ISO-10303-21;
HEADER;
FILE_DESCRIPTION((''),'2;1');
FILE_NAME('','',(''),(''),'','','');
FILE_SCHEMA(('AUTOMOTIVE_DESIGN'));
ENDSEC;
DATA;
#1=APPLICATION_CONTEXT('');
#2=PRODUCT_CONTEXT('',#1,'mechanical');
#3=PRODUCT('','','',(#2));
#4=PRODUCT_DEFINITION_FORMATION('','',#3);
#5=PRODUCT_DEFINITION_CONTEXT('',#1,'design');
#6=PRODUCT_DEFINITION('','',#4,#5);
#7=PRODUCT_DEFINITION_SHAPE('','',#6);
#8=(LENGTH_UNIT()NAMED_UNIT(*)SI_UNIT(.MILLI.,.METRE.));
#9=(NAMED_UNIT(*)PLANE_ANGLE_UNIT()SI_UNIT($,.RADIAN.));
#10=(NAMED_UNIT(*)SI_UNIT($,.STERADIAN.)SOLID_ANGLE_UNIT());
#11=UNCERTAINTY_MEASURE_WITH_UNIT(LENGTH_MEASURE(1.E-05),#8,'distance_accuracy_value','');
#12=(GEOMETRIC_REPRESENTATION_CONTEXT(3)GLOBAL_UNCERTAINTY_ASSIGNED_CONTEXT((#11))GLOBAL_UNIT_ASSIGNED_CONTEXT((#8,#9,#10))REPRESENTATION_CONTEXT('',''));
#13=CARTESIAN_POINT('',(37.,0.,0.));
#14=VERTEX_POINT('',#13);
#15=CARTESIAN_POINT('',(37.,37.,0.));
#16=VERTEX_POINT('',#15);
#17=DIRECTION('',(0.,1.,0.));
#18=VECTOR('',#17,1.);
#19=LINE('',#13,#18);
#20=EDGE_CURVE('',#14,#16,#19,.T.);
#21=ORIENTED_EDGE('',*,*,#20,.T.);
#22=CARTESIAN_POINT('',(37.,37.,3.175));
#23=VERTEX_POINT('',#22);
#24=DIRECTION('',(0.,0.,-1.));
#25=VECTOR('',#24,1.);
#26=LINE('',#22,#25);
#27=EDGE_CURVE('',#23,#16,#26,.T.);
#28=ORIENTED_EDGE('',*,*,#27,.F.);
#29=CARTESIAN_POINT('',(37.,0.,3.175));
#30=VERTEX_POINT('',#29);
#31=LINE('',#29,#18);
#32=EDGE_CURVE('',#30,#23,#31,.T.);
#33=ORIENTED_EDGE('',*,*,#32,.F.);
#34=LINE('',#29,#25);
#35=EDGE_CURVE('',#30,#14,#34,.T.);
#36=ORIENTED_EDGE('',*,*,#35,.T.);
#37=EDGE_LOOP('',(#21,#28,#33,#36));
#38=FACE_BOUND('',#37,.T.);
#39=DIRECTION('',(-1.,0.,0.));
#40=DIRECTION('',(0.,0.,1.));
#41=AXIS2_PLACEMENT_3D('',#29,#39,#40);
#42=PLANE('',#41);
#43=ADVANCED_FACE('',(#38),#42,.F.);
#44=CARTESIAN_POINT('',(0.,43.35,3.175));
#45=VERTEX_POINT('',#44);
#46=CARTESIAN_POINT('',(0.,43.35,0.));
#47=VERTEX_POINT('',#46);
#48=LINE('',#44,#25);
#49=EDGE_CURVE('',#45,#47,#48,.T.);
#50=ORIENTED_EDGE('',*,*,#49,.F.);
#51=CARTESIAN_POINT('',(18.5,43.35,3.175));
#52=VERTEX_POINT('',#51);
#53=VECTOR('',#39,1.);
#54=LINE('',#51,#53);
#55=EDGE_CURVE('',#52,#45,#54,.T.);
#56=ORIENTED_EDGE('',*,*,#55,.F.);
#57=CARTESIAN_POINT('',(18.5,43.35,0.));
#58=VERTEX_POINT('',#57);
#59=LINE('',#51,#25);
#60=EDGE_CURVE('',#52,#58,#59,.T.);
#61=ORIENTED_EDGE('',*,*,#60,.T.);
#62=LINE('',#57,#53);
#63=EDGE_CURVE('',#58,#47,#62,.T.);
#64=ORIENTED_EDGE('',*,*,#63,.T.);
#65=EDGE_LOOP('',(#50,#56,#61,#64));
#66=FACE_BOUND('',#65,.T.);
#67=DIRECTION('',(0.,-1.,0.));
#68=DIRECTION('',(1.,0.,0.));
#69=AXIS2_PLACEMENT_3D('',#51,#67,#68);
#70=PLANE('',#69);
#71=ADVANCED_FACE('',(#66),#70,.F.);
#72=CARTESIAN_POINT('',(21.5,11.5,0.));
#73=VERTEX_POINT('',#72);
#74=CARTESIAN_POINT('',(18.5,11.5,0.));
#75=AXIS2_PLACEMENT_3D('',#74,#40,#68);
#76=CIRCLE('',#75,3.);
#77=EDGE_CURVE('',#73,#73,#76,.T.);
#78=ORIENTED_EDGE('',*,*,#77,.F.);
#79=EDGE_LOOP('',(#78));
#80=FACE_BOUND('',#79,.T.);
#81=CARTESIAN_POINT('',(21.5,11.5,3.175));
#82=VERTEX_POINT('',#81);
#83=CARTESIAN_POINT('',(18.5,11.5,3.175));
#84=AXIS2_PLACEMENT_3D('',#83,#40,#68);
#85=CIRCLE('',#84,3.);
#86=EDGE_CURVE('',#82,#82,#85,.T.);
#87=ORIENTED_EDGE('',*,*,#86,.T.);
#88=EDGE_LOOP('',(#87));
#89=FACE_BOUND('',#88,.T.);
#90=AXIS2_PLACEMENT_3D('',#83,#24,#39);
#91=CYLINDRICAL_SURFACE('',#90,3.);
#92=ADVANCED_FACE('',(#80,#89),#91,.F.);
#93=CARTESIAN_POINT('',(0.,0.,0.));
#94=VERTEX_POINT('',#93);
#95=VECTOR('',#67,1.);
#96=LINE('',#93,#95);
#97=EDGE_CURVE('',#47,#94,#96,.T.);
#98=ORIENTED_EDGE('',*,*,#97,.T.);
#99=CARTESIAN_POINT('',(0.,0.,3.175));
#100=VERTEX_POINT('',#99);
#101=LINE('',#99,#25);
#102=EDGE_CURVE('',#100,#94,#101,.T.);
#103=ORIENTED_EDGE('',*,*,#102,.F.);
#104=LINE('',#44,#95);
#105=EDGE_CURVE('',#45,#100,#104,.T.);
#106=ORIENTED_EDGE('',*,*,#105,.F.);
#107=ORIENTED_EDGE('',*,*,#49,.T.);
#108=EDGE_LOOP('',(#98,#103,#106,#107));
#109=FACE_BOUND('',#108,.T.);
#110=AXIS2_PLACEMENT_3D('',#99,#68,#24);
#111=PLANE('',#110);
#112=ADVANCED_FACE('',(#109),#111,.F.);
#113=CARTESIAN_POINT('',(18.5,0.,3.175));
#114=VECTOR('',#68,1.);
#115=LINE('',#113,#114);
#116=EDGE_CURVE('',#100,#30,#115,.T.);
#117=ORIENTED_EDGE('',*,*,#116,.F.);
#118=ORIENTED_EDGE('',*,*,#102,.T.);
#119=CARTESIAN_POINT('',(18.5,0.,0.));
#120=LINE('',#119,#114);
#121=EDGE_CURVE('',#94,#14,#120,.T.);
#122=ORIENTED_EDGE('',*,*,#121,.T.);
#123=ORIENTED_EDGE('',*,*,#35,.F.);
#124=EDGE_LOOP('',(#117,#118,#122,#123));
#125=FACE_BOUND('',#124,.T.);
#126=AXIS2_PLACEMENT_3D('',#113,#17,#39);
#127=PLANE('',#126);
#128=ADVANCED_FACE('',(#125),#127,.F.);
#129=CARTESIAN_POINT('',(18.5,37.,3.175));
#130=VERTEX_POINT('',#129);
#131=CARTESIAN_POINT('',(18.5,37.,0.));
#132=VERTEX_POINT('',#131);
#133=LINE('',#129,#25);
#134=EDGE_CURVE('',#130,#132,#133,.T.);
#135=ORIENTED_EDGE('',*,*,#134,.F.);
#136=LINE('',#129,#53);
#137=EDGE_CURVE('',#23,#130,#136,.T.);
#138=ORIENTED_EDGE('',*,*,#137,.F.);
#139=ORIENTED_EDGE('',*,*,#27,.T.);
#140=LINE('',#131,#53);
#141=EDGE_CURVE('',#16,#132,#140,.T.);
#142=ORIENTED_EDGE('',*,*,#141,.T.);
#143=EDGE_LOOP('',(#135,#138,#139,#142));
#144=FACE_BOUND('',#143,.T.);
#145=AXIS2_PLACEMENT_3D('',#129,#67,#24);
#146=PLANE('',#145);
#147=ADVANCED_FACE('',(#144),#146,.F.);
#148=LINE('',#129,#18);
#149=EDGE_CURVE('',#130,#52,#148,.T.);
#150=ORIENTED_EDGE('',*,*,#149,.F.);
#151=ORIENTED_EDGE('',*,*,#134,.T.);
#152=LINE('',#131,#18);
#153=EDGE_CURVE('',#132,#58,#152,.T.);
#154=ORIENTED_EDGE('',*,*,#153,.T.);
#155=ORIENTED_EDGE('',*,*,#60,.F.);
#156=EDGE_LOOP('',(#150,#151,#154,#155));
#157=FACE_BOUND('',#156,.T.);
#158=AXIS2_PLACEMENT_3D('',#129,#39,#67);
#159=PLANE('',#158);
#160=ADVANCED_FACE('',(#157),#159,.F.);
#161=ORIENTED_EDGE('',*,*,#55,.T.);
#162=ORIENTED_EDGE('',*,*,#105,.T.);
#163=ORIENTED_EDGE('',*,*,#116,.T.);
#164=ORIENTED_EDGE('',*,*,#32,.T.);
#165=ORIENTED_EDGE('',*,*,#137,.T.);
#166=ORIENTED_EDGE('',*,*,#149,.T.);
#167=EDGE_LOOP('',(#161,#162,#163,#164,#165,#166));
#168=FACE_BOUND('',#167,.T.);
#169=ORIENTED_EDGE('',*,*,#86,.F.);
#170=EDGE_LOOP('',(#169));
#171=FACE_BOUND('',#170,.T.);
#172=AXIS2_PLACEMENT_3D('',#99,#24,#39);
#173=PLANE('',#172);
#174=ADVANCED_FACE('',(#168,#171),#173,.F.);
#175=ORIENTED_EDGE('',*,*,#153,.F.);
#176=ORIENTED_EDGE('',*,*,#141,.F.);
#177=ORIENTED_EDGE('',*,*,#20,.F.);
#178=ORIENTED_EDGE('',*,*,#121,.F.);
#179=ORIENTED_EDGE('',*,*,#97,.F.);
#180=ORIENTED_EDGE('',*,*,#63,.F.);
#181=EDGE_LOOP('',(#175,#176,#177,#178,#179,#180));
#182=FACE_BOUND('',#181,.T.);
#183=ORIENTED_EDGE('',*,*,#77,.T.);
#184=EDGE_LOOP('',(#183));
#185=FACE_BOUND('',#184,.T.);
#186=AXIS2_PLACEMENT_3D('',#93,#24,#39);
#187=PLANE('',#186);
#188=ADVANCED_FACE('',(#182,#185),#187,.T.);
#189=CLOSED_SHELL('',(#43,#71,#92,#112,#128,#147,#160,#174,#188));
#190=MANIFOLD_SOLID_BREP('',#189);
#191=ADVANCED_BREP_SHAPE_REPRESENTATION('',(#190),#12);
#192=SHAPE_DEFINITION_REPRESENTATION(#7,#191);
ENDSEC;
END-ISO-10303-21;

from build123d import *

# Parameters (mm, degrees)
SKETCH1_R           = 3
BOSS_EXTRUDE1_DEPTH = 3.175


with BuildPart() as part:
    # Sketch1 → Boss-Extrude1 (new body)
    with BuildSketch(Plane.XY):
        Polygon((18.5, 0), (37, 0), (37, 37), (18.5, 37), (18.5, 43.35), (0, 43.35), (0, 37), (0, 0), align=None)
        with Locations((18.5, 11.5)):
            Circle(SKETCH1_R, mode=Mode.SUBTRACT)
    extrude(amount=BOSS_EXTRUDE1_DEPTH)


solid = part.part
